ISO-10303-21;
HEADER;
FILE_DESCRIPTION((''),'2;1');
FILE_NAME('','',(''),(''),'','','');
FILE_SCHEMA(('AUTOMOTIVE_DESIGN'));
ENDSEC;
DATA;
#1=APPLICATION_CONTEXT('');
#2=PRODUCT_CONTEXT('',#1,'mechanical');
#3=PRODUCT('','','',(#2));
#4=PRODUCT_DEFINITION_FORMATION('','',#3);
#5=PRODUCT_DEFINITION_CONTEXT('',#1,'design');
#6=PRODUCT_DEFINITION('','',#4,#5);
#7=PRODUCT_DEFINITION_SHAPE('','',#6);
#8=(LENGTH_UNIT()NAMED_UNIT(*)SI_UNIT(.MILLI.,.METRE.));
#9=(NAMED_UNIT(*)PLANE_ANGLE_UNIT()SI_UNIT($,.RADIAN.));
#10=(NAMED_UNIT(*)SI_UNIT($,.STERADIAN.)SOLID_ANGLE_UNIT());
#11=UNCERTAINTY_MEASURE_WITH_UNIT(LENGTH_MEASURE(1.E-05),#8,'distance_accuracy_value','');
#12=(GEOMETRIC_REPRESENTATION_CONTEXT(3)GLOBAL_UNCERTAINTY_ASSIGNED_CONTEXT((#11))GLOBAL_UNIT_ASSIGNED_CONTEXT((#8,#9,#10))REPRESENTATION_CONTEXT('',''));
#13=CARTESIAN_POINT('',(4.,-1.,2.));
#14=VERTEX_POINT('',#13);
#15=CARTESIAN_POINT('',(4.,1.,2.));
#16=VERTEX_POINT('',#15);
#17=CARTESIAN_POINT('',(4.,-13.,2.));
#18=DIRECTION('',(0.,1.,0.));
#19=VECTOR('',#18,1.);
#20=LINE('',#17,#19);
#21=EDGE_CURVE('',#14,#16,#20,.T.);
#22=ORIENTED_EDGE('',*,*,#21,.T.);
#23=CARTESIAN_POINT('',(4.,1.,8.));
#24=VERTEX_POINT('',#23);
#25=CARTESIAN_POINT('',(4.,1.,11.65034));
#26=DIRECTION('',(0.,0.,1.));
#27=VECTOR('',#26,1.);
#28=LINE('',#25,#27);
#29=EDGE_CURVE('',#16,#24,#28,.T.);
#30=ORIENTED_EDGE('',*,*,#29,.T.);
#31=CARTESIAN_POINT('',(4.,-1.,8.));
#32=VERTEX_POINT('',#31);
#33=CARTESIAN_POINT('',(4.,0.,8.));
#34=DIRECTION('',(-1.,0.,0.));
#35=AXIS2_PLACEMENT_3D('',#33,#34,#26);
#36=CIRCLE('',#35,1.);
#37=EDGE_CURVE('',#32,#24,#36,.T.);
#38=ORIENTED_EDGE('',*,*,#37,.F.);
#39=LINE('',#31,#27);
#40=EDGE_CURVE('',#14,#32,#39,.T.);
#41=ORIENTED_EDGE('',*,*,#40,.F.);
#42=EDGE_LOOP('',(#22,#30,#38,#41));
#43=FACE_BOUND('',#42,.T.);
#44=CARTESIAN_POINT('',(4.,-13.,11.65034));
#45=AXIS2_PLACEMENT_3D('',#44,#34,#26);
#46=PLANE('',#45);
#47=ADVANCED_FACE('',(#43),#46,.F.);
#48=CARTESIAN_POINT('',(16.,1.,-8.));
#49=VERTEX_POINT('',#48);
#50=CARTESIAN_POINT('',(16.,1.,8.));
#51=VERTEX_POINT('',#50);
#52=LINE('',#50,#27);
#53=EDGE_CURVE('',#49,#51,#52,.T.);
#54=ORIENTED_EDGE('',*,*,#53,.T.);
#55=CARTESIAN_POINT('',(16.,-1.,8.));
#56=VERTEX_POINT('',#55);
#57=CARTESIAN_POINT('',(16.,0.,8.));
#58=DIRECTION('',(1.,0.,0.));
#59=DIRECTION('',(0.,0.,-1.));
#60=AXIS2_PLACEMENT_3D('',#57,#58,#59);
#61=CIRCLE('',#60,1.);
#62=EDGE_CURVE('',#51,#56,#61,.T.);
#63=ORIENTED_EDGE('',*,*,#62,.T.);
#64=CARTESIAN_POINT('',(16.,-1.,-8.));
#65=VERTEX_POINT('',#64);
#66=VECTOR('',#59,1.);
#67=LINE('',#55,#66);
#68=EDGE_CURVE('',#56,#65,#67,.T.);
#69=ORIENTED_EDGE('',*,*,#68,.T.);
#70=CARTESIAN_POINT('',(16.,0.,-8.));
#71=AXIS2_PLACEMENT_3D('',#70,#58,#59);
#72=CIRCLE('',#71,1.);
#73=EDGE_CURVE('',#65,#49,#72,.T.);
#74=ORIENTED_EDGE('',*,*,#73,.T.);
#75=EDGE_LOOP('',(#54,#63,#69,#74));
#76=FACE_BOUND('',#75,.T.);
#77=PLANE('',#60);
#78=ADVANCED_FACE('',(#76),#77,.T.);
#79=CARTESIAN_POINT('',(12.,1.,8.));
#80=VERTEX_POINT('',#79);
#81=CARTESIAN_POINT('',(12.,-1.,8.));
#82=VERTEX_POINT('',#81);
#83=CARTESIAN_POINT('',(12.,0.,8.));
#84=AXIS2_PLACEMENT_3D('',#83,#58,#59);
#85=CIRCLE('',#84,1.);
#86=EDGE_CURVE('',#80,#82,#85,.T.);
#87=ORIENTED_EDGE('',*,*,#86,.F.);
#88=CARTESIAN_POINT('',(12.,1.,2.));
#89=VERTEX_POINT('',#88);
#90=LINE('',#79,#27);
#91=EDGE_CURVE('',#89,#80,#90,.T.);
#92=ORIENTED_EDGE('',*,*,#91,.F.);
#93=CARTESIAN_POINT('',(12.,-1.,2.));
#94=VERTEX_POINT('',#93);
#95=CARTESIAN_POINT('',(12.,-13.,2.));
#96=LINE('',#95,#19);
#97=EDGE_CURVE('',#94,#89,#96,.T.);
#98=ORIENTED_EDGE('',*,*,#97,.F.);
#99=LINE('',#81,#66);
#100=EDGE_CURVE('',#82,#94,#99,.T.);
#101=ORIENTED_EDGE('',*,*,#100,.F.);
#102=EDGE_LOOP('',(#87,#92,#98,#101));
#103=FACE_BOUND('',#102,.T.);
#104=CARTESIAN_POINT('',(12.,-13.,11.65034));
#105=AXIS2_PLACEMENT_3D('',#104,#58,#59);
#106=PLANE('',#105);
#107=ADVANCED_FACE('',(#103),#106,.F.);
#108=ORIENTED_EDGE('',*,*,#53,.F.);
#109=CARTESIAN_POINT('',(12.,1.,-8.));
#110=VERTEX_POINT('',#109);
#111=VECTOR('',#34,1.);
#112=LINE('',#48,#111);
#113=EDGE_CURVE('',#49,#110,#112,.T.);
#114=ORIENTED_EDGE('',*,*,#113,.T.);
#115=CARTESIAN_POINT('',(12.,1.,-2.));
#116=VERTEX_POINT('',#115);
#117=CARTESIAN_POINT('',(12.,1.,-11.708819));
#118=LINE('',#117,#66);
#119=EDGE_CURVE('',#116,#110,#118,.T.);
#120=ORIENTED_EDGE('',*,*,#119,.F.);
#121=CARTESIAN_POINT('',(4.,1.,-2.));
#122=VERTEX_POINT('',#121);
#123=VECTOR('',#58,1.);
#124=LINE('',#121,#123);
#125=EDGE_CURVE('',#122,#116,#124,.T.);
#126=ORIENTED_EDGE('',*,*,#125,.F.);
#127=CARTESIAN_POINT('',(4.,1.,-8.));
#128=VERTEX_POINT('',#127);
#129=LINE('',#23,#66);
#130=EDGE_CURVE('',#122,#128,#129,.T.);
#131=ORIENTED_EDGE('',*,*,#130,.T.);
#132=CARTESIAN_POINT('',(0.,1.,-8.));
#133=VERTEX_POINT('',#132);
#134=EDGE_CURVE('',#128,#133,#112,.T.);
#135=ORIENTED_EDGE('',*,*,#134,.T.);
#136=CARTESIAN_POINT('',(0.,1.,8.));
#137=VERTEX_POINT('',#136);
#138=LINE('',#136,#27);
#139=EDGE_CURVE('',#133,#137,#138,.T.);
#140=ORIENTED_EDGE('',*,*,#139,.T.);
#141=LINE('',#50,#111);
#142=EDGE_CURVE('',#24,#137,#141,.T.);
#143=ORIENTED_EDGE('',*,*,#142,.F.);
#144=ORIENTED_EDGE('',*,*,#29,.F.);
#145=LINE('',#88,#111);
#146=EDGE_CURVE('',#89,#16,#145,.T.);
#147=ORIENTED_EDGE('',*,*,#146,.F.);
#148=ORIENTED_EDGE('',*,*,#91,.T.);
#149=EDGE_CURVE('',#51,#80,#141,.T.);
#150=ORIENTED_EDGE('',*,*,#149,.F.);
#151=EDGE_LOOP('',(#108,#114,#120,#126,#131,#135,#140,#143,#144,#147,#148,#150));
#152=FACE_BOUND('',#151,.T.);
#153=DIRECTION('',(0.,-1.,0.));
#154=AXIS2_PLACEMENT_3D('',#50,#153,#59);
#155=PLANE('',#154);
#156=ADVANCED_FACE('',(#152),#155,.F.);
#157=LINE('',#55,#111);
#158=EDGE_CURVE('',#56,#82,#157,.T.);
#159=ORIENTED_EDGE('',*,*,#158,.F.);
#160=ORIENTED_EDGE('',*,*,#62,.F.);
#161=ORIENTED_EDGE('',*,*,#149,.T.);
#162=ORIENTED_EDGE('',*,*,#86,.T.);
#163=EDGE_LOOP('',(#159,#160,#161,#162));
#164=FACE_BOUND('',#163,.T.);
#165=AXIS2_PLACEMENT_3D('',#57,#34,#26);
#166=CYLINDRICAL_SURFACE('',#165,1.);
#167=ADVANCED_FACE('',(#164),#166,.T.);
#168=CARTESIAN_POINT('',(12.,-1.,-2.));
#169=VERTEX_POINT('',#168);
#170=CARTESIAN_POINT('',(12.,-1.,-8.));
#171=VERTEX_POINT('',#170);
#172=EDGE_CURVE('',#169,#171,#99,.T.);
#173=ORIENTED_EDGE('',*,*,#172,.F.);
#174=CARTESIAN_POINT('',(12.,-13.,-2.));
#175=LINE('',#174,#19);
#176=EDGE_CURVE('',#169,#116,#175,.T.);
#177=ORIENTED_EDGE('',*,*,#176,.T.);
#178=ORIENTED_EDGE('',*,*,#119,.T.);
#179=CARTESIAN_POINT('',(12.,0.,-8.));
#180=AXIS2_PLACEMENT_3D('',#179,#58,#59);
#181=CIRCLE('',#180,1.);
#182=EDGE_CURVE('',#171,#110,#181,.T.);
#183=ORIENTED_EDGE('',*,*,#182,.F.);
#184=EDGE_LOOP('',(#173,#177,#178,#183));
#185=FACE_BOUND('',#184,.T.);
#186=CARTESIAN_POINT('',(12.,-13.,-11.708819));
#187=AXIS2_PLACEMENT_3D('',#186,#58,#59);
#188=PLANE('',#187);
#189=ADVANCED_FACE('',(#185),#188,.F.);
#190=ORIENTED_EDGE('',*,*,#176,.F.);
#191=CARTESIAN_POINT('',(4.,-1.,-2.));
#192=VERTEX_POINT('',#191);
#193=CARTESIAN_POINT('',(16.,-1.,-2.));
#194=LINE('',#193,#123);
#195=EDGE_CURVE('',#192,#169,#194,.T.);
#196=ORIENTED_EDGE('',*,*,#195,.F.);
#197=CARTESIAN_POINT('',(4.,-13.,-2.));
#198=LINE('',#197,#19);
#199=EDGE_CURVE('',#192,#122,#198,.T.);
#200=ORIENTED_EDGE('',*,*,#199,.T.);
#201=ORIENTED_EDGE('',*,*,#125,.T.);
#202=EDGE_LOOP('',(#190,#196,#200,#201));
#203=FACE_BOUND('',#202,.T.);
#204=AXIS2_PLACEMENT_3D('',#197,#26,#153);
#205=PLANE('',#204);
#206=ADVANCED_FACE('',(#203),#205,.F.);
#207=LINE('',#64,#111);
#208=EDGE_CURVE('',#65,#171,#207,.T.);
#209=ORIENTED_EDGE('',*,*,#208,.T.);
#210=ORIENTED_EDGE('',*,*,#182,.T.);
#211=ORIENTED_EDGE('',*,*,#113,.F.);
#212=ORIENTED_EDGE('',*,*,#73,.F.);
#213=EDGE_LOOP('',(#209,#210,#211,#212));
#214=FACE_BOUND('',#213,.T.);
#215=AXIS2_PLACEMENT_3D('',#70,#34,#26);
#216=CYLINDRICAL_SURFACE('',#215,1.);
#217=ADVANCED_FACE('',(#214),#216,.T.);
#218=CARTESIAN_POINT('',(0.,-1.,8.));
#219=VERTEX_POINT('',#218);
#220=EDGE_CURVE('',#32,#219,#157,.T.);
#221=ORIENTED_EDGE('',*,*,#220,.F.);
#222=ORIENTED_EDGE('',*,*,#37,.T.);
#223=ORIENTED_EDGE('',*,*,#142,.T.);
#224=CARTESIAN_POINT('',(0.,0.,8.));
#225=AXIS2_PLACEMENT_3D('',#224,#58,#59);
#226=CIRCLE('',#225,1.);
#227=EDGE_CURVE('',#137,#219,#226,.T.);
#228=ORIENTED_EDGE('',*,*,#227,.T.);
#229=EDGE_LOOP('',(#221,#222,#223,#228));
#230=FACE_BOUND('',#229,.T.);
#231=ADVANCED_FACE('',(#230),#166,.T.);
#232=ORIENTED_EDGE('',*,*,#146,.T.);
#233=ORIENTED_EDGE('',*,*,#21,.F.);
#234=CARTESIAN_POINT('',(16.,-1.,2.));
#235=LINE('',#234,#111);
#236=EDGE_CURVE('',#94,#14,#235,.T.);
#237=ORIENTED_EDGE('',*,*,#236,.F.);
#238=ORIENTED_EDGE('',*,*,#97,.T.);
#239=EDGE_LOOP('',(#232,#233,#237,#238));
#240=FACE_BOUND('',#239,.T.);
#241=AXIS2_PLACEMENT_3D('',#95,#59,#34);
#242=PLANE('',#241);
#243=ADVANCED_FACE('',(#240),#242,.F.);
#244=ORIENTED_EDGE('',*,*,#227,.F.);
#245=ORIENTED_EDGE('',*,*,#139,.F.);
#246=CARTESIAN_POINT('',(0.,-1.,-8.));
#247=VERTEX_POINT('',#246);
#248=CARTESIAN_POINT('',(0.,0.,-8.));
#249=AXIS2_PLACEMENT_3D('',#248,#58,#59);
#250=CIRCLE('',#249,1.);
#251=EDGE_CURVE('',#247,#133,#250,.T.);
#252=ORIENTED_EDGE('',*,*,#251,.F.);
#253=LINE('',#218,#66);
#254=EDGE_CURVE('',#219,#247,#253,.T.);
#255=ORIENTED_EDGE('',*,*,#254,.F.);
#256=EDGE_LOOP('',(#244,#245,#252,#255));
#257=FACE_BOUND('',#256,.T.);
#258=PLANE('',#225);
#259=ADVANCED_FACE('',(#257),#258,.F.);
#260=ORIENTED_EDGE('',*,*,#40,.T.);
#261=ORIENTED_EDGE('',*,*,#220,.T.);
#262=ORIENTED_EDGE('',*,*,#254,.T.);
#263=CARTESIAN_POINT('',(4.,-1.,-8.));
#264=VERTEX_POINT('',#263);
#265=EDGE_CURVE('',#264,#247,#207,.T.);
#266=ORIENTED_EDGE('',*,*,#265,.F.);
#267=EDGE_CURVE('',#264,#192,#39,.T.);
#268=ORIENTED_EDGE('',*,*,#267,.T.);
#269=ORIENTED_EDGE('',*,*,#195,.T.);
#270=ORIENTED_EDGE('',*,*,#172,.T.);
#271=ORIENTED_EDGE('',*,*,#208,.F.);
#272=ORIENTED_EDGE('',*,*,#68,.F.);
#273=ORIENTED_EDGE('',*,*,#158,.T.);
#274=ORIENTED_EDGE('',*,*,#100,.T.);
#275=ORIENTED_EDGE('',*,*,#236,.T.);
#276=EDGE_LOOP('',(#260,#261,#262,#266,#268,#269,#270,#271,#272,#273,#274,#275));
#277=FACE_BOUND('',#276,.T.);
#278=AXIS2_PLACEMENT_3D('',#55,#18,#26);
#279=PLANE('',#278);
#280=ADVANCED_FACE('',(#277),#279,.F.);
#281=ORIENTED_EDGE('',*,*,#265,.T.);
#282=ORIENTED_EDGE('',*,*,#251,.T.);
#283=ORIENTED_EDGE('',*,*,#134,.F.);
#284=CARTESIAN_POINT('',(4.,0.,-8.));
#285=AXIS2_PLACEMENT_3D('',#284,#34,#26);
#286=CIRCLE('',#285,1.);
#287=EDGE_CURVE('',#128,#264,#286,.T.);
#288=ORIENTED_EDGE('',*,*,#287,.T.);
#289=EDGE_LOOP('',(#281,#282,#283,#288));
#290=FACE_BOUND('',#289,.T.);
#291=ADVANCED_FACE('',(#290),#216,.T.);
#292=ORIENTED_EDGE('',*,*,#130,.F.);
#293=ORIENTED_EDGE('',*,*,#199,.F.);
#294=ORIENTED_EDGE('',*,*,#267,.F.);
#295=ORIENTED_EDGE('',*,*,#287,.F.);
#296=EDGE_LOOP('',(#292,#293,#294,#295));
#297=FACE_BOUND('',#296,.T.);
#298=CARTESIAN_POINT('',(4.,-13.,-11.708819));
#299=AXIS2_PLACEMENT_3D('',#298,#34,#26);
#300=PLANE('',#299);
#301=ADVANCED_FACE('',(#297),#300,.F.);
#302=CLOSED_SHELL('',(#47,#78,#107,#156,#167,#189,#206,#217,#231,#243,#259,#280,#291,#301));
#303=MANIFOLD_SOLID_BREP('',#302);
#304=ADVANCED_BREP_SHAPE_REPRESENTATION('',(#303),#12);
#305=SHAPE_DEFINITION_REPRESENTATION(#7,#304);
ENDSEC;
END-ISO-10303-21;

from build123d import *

# Parameters (mm, degrees)
EXTRUDE_1_DEPTH     = 16
SKETCH_2_W          = 8
SKETCH_2_H          = 9.708819165
SKETCH_2_H_2        = 9.650339741
CUT_EXTRUDE_1_DEPTH = 14


with BuildPart() as part:
    # 草图1 → 凸台-拉伸1 (new body)
    with BuildSketch(Plane(origin=(0, 0, 0), x_dir=(0, 0, -1), z_dir=(1, 0, 0))):
        with BuildLine():
            Line((-8, 1), (8, 1))
            ThreePointArc((8, 1), (9, 0), (8, -1))
            Line((8, -1), (-8, -1))
            ThreePointArc((-8, -1), (-9, 0), (-8, 1))
        make_face()
    extrude(amount=EXTRUDE_1_DEPTH)

    # 草图2 → 切除-拉伸1 (cut)
    with BuildSketch(Plane(origin=(0, 1, 0), x_dir=(1, 0, 0), z_dir=(0, 1, 0))):
        with Locations((8, 6.854409583)):
            Rectangle(SKETCH_2_W, SKETCH_2_H)
        with Locations((8, -6.825169871)):
            Rectangle(SKETCH_2_W, SKETCH_2_H_2)
    extrude(amount=-CUT_EXTRUDE_1_DEPTH, mode=Mode.SUBTRACT)


solid = part.part
